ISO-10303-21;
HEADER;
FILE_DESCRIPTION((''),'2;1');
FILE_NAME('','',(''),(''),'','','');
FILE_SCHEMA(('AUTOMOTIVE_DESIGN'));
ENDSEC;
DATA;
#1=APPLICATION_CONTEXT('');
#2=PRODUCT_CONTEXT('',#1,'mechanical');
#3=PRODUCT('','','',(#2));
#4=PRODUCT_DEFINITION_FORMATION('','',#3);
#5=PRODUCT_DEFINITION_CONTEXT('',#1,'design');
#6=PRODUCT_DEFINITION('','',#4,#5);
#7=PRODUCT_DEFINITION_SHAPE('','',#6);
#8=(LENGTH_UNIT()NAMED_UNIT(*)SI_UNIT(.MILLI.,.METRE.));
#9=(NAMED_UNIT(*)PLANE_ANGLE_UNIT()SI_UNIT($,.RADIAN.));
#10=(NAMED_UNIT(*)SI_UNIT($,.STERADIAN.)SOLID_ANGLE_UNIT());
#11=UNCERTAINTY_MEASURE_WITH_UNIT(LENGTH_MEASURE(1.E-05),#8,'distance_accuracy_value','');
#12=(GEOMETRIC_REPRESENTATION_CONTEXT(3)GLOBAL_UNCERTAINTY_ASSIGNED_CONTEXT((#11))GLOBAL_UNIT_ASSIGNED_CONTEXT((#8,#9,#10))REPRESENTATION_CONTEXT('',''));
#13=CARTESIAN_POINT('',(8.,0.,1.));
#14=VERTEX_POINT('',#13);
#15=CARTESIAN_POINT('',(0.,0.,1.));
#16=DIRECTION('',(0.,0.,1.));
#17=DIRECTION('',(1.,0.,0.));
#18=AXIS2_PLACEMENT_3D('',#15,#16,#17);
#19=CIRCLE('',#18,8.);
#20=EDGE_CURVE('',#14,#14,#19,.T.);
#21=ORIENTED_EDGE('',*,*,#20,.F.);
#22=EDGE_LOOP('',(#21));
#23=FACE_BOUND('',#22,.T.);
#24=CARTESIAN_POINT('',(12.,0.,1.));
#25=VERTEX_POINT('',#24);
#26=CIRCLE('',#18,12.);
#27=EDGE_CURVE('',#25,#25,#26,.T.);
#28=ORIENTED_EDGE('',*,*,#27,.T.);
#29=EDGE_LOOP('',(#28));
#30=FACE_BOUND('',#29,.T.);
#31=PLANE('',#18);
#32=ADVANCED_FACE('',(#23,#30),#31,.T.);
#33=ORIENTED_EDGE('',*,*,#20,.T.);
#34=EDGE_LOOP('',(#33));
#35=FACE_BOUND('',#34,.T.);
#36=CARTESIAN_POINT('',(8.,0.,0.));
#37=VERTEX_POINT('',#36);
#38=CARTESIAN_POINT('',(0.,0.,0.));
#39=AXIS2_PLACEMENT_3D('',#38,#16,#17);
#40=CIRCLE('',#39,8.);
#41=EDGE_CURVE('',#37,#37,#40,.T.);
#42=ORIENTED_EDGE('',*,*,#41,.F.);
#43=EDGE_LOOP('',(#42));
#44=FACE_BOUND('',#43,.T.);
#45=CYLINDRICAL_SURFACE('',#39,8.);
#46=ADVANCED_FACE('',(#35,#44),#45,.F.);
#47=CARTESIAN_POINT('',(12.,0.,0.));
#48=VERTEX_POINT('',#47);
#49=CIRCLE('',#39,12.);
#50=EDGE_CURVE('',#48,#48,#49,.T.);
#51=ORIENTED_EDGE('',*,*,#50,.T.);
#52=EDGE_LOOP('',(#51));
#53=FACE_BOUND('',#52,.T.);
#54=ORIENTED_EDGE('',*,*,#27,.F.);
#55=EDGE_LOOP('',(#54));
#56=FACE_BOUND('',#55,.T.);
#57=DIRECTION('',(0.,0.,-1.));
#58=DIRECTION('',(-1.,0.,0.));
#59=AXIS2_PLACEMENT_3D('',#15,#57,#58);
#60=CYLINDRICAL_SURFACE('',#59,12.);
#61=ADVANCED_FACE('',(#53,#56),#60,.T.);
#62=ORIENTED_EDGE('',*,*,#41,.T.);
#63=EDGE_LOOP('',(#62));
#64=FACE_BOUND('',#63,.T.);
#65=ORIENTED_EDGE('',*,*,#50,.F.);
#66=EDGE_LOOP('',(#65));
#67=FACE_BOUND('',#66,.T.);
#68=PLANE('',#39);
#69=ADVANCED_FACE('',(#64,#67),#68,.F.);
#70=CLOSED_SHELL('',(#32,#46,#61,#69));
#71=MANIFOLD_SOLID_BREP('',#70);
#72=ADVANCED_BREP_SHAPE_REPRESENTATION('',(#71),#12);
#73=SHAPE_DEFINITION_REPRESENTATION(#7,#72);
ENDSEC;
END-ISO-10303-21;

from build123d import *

# Parameters (mm, degrees)
SKETCH1_R           = 12
BOSS_EXTRUDE1_DEPTH = 1
SKETCH2_R           = 8
CUT_EXTRUDE1_DEPTH  = 1


with BuildPart() as part:
    # Sketch1 → Boss-Extrude1 (new body)
    with BuildSketch(Plane.XY):
        Circle(SKETCH1_R)
    extrude(amount=BOSS_EXTRUDE1_DEPTH)

    # Sketch2 → Cut-Extrude1 (cut)
    with BuildSketch(Plane.XY.offset(1)):
        Circle(SKETCH2_R)
    extrude(amount=-CUT_EXTRUDE1_DEPTH, mode=Mode.SUBTRACT)


solid = part.part
